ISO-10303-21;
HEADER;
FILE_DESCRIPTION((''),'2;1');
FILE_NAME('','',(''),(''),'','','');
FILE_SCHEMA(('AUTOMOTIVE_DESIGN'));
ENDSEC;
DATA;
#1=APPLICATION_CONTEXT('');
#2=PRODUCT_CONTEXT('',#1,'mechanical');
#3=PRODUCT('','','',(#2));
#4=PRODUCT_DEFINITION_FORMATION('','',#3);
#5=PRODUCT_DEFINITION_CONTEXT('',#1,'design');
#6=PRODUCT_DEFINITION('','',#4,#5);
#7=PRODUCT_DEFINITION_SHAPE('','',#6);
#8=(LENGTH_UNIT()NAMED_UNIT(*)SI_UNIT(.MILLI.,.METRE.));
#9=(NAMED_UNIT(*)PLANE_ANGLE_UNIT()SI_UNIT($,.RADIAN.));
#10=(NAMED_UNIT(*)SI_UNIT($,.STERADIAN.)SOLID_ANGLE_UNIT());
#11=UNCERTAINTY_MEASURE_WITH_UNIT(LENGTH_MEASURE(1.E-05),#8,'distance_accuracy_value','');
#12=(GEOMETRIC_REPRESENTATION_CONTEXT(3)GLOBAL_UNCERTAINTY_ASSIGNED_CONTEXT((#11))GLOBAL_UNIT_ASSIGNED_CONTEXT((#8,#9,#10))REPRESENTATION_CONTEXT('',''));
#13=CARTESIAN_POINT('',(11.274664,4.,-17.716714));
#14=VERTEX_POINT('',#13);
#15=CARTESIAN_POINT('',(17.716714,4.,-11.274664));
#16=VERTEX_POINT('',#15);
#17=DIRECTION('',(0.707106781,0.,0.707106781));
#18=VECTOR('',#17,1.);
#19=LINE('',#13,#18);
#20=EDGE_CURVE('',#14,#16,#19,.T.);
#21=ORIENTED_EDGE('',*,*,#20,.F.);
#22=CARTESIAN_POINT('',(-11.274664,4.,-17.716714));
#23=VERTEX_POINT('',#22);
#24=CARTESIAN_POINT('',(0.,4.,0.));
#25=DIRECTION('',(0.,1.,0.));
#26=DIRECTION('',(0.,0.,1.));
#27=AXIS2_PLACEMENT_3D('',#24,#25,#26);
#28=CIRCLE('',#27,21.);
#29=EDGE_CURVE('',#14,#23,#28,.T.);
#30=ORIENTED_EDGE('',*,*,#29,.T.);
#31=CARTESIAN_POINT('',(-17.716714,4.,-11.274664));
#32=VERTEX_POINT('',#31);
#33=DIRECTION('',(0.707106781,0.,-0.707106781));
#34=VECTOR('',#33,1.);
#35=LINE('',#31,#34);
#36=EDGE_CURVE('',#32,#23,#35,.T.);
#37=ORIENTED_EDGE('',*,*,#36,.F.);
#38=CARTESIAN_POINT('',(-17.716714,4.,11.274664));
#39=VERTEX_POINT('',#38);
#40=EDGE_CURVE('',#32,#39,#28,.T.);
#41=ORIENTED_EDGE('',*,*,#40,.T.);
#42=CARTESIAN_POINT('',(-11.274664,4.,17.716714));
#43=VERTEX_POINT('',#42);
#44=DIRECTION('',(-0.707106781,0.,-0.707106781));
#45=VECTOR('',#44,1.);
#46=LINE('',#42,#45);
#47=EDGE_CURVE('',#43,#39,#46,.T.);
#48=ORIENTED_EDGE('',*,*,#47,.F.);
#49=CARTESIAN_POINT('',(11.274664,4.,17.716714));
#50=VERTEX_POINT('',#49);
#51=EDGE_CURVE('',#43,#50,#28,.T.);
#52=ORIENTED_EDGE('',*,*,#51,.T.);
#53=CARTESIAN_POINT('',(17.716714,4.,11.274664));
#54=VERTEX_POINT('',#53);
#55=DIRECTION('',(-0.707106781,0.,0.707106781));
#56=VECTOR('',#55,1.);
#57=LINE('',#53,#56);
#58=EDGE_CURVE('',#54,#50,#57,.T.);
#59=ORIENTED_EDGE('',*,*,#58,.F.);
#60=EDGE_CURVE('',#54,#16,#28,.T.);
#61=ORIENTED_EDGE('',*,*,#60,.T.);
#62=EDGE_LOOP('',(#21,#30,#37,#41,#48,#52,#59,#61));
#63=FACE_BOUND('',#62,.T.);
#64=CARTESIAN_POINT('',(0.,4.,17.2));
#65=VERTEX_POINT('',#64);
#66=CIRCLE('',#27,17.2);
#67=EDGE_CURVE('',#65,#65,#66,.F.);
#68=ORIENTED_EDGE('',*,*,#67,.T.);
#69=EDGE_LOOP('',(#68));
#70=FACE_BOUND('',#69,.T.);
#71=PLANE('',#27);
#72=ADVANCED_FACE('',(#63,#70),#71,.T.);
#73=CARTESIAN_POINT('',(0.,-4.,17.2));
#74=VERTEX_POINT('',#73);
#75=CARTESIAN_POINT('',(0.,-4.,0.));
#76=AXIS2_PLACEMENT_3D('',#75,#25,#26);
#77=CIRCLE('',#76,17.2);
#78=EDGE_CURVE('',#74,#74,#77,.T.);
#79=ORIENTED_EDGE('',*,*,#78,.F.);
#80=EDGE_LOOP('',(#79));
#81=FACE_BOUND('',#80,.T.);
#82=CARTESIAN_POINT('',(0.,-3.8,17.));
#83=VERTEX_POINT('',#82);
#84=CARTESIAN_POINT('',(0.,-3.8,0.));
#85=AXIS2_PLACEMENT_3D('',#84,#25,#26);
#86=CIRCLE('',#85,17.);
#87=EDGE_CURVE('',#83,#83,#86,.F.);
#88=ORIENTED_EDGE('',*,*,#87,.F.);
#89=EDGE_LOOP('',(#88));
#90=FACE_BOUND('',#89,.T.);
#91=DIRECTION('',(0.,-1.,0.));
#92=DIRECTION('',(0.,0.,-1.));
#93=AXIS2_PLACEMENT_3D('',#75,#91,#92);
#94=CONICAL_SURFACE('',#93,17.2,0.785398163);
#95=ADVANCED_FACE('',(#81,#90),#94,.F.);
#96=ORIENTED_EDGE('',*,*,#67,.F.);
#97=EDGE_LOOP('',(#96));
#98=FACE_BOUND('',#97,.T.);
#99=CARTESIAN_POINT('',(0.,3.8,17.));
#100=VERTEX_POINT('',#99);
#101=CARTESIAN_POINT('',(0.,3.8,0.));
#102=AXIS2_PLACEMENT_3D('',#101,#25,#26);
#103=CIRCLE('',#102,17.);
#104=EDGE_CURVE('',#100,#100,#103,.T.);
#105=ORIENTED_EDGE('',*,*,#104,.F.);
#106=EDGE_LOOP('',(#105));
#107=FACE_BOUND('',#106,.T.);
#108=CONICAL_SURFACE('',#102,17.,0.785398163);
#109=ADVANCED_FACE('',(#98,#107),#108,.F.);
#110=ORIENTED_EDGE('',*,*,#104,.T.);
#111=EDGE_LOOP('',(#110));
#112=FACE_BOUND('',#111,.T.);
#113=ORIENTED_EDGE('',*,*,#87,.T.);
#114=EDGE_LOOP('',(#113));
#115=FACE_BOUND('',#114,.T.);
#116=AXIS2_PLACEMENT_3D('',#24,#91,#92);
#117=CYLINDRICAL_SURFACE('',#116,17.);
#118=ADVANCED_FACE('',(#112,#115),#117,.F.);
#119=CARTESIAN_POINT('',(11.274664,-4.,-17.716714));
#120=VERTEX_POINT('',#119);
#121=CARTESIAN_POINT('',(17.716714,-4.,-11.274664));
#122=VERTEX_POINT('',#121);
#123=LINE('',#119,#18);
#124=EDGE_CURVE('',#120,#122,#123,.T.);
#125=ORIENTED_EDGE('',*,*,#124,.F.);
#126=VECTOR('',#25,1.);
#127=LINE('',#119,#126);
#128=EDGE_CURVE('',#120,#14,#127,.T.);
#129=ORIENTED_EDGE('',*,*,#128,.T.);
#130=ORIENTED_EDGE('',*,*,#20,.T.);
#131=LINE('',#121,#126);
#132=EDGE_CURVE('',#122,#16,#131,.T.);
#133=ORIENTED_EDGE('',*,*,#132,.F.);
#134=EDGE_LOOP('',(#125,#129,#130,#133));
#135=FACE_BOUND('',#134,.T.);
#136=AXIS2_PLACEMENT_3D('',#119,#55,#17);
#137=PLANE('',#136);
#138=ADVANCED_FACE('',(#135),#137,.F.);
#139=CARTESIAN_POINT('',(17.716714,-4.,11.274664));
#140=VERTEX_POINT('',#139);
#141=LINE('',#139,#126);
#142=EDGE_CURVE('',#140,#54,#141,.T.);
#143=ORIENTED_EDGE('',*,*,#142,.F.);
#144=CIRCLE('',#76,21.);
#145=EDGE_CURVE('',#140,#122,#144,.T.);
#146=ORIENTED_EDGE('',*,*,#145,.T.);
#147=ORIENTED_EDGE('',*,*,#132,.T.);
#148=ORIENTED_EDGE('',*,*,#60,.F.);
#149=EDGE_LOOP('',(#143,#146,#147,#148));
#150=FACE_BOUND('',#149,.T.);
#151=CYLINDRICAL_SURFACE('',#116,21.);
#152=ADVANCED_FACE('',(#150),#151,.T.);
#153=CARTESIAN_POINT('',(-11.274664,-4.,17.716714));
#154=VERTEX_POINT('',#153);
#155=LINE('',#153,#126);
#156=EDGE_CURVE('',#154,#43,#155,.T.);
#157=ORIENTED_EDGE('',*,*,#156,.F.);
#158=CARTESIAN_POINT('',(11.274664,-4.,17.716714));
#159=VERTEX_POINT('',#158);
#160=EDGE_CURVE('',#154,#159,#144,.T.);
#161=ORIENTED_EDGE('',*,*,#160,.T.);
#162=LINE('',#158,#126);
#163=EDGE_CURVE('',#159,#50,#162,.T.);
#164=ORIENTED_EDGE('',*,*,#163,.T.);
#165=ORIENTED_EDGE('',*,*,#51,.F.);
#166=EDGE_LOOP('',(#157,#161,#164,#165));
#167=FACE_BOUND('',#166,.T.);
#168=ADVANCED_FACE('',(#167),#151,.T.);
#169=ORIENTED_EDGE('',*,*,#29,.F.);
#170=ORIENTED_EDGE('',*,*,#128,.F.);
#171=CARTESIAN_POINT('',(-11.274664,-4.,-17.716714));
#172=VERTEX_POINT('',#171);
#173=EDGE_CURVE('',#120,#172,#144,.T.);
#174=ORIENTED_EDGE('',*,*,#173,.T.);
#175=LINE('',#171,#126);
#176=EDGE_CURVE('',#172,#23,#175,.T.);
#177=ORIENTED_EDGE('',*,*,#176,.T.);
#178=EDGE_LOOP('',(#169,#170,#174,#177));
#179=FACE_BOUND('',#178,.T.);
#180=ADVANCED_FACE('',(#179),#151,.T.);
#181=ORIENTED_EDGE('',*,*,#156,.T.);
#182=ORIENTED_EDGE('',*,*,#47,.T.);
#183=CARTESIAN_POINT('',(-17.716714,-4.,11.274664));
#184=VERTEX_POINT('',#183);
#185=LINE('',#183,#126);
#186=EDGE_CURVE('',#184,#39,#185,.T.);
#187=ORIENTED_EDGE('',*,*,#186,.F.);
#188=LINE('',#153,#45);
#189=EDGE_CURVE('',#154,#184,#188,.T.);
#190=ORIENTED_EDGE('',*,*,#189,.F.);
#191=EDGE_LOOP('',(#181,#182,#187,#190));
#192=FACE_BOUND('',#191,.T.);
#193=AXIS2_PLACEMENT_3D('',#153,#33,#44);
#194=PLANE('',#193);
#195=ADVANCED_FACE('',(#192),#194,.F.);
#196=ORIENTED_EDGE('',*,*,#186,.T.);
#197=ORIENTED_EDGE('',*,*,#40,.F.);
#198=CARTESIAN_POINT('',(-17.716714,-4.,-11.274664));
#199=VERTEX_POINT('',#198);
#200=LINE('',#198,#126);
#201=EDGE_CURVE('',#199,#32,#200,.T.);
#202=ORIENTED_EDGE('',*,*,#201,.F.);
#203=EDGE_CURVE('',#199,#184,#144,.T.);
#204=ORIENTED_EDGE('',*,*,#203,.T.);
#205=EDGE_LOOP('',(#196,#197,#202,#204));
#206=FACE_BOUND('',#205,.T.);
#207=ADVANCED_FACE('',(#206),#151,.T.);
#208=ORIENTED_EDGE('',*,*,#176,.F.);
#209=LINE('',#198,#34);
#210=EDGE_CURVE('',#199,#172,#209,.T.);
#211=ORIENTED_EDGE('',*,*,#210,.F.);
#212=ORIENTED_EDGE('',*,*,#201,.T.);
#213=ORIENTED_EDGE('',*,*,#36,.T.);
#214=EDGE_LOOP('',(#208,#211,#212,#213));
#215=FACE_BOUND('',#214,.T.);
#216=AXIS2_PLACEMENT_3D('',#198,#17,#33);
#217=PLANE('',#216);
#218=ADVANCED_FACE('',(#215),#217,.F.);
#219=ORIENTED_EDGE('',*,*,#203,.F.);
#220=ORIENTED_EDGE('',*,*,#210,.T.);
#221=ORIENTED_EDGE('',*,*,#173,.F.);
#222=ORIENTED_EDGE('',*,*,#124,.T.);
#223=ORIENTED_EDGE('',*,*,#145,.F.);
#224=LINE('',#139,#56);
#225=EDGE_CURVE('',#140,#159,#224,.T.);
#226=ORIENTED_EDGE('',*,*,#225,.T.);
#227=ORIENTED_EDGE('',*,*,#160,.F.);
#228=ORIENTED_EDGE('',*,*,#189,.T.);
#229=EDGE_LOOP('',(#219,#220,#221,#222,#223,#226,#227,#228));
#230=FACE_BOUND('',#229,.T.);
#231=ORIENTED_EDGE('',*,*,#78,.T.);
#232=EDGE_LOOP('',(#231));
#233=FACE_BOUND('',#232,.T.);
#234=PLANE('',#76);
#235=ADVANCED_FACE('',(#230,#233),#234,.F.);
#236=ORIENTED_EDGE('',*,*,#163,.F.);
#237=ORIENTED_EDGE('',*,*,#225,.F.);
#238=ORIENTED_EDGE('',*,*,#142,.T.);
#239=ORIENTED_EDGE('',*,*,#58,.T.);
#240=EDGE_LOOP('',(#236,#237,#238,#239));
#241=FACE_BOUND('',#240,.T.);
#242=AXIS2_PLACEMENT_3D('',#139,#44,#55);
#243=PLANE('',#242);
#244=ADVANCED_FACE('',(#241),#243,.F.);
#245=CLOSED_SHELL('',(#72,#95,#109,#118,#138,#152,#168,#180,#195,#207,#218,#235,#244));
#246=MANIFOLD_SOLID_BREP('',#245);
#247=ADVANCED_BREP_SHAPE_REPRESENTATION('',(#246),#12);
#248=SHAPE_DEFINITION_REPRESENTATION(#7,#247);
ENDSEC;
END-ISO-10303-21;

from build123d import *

# Parameters (mm, degrees)
BASES_R            = 21
BASES_R_2          = 17
BASE_DEPTH         = 4
FLATCUT_DEPTH      = 30.966648128
FCCIRPATTERN_COUNT = 4
BASECHAMFER_SIZE   = 0.2


with BuildPart() as part:
    # BaseS → Base (new, symmetric)
    with BuildSketch(Plane(origin=(0, 0, 0), x_dir=(1, 0, 0), z_dir=(0, 1, 0))):
        Circle(BASES_R)
        Circle(BASES_R_2, mode=Mode.SUBTRACT)
    extrude(amount=BASE_DEPTH, both=True)

    # FlatCutS → FlatCut (cut, symmetric)
    with BuildSketch(Plane(origin=(0, 0, 0), x_dir=(1, 0, 0), z_dir=(0, 1, 0))):
        with BuildLine():
            Line((11.274664333, 17.716713696), (17.716713696, 11.274664333))
            ThreePointArc((17.716713696, 11.274664333), (14.849242405, 14.849242405), (11.274664333, 17.716713696))
        make_face()
    flatcut = extrude(amount=FLATCUT_DEPTH, both=True, mode=Mode.SUBTRACT)

    # FCCirPattern: FlatCut ×4 about axis
    fccirpattern_axis = Axis((0, 1.1, 0), (0, -1, 0))
    for i in range(1, FCCIRPATTERN_COUNT):
        add(flatcut.rotate(fccirpattern_axis, i * 360 / FCCIRPATTERN_COUNT), mode=Mode.SUBTRACT)

    # BaseChamfer
    basechamfer_edges = [part.edges().sort_by_distance(p)[0] for p in [
        (-17, 4, 0),
        (-17, -4, 0),
    ]]
    chamfer(basechamfer_edges, length=BASECHAMFER_SIZE)


solid = part.part
